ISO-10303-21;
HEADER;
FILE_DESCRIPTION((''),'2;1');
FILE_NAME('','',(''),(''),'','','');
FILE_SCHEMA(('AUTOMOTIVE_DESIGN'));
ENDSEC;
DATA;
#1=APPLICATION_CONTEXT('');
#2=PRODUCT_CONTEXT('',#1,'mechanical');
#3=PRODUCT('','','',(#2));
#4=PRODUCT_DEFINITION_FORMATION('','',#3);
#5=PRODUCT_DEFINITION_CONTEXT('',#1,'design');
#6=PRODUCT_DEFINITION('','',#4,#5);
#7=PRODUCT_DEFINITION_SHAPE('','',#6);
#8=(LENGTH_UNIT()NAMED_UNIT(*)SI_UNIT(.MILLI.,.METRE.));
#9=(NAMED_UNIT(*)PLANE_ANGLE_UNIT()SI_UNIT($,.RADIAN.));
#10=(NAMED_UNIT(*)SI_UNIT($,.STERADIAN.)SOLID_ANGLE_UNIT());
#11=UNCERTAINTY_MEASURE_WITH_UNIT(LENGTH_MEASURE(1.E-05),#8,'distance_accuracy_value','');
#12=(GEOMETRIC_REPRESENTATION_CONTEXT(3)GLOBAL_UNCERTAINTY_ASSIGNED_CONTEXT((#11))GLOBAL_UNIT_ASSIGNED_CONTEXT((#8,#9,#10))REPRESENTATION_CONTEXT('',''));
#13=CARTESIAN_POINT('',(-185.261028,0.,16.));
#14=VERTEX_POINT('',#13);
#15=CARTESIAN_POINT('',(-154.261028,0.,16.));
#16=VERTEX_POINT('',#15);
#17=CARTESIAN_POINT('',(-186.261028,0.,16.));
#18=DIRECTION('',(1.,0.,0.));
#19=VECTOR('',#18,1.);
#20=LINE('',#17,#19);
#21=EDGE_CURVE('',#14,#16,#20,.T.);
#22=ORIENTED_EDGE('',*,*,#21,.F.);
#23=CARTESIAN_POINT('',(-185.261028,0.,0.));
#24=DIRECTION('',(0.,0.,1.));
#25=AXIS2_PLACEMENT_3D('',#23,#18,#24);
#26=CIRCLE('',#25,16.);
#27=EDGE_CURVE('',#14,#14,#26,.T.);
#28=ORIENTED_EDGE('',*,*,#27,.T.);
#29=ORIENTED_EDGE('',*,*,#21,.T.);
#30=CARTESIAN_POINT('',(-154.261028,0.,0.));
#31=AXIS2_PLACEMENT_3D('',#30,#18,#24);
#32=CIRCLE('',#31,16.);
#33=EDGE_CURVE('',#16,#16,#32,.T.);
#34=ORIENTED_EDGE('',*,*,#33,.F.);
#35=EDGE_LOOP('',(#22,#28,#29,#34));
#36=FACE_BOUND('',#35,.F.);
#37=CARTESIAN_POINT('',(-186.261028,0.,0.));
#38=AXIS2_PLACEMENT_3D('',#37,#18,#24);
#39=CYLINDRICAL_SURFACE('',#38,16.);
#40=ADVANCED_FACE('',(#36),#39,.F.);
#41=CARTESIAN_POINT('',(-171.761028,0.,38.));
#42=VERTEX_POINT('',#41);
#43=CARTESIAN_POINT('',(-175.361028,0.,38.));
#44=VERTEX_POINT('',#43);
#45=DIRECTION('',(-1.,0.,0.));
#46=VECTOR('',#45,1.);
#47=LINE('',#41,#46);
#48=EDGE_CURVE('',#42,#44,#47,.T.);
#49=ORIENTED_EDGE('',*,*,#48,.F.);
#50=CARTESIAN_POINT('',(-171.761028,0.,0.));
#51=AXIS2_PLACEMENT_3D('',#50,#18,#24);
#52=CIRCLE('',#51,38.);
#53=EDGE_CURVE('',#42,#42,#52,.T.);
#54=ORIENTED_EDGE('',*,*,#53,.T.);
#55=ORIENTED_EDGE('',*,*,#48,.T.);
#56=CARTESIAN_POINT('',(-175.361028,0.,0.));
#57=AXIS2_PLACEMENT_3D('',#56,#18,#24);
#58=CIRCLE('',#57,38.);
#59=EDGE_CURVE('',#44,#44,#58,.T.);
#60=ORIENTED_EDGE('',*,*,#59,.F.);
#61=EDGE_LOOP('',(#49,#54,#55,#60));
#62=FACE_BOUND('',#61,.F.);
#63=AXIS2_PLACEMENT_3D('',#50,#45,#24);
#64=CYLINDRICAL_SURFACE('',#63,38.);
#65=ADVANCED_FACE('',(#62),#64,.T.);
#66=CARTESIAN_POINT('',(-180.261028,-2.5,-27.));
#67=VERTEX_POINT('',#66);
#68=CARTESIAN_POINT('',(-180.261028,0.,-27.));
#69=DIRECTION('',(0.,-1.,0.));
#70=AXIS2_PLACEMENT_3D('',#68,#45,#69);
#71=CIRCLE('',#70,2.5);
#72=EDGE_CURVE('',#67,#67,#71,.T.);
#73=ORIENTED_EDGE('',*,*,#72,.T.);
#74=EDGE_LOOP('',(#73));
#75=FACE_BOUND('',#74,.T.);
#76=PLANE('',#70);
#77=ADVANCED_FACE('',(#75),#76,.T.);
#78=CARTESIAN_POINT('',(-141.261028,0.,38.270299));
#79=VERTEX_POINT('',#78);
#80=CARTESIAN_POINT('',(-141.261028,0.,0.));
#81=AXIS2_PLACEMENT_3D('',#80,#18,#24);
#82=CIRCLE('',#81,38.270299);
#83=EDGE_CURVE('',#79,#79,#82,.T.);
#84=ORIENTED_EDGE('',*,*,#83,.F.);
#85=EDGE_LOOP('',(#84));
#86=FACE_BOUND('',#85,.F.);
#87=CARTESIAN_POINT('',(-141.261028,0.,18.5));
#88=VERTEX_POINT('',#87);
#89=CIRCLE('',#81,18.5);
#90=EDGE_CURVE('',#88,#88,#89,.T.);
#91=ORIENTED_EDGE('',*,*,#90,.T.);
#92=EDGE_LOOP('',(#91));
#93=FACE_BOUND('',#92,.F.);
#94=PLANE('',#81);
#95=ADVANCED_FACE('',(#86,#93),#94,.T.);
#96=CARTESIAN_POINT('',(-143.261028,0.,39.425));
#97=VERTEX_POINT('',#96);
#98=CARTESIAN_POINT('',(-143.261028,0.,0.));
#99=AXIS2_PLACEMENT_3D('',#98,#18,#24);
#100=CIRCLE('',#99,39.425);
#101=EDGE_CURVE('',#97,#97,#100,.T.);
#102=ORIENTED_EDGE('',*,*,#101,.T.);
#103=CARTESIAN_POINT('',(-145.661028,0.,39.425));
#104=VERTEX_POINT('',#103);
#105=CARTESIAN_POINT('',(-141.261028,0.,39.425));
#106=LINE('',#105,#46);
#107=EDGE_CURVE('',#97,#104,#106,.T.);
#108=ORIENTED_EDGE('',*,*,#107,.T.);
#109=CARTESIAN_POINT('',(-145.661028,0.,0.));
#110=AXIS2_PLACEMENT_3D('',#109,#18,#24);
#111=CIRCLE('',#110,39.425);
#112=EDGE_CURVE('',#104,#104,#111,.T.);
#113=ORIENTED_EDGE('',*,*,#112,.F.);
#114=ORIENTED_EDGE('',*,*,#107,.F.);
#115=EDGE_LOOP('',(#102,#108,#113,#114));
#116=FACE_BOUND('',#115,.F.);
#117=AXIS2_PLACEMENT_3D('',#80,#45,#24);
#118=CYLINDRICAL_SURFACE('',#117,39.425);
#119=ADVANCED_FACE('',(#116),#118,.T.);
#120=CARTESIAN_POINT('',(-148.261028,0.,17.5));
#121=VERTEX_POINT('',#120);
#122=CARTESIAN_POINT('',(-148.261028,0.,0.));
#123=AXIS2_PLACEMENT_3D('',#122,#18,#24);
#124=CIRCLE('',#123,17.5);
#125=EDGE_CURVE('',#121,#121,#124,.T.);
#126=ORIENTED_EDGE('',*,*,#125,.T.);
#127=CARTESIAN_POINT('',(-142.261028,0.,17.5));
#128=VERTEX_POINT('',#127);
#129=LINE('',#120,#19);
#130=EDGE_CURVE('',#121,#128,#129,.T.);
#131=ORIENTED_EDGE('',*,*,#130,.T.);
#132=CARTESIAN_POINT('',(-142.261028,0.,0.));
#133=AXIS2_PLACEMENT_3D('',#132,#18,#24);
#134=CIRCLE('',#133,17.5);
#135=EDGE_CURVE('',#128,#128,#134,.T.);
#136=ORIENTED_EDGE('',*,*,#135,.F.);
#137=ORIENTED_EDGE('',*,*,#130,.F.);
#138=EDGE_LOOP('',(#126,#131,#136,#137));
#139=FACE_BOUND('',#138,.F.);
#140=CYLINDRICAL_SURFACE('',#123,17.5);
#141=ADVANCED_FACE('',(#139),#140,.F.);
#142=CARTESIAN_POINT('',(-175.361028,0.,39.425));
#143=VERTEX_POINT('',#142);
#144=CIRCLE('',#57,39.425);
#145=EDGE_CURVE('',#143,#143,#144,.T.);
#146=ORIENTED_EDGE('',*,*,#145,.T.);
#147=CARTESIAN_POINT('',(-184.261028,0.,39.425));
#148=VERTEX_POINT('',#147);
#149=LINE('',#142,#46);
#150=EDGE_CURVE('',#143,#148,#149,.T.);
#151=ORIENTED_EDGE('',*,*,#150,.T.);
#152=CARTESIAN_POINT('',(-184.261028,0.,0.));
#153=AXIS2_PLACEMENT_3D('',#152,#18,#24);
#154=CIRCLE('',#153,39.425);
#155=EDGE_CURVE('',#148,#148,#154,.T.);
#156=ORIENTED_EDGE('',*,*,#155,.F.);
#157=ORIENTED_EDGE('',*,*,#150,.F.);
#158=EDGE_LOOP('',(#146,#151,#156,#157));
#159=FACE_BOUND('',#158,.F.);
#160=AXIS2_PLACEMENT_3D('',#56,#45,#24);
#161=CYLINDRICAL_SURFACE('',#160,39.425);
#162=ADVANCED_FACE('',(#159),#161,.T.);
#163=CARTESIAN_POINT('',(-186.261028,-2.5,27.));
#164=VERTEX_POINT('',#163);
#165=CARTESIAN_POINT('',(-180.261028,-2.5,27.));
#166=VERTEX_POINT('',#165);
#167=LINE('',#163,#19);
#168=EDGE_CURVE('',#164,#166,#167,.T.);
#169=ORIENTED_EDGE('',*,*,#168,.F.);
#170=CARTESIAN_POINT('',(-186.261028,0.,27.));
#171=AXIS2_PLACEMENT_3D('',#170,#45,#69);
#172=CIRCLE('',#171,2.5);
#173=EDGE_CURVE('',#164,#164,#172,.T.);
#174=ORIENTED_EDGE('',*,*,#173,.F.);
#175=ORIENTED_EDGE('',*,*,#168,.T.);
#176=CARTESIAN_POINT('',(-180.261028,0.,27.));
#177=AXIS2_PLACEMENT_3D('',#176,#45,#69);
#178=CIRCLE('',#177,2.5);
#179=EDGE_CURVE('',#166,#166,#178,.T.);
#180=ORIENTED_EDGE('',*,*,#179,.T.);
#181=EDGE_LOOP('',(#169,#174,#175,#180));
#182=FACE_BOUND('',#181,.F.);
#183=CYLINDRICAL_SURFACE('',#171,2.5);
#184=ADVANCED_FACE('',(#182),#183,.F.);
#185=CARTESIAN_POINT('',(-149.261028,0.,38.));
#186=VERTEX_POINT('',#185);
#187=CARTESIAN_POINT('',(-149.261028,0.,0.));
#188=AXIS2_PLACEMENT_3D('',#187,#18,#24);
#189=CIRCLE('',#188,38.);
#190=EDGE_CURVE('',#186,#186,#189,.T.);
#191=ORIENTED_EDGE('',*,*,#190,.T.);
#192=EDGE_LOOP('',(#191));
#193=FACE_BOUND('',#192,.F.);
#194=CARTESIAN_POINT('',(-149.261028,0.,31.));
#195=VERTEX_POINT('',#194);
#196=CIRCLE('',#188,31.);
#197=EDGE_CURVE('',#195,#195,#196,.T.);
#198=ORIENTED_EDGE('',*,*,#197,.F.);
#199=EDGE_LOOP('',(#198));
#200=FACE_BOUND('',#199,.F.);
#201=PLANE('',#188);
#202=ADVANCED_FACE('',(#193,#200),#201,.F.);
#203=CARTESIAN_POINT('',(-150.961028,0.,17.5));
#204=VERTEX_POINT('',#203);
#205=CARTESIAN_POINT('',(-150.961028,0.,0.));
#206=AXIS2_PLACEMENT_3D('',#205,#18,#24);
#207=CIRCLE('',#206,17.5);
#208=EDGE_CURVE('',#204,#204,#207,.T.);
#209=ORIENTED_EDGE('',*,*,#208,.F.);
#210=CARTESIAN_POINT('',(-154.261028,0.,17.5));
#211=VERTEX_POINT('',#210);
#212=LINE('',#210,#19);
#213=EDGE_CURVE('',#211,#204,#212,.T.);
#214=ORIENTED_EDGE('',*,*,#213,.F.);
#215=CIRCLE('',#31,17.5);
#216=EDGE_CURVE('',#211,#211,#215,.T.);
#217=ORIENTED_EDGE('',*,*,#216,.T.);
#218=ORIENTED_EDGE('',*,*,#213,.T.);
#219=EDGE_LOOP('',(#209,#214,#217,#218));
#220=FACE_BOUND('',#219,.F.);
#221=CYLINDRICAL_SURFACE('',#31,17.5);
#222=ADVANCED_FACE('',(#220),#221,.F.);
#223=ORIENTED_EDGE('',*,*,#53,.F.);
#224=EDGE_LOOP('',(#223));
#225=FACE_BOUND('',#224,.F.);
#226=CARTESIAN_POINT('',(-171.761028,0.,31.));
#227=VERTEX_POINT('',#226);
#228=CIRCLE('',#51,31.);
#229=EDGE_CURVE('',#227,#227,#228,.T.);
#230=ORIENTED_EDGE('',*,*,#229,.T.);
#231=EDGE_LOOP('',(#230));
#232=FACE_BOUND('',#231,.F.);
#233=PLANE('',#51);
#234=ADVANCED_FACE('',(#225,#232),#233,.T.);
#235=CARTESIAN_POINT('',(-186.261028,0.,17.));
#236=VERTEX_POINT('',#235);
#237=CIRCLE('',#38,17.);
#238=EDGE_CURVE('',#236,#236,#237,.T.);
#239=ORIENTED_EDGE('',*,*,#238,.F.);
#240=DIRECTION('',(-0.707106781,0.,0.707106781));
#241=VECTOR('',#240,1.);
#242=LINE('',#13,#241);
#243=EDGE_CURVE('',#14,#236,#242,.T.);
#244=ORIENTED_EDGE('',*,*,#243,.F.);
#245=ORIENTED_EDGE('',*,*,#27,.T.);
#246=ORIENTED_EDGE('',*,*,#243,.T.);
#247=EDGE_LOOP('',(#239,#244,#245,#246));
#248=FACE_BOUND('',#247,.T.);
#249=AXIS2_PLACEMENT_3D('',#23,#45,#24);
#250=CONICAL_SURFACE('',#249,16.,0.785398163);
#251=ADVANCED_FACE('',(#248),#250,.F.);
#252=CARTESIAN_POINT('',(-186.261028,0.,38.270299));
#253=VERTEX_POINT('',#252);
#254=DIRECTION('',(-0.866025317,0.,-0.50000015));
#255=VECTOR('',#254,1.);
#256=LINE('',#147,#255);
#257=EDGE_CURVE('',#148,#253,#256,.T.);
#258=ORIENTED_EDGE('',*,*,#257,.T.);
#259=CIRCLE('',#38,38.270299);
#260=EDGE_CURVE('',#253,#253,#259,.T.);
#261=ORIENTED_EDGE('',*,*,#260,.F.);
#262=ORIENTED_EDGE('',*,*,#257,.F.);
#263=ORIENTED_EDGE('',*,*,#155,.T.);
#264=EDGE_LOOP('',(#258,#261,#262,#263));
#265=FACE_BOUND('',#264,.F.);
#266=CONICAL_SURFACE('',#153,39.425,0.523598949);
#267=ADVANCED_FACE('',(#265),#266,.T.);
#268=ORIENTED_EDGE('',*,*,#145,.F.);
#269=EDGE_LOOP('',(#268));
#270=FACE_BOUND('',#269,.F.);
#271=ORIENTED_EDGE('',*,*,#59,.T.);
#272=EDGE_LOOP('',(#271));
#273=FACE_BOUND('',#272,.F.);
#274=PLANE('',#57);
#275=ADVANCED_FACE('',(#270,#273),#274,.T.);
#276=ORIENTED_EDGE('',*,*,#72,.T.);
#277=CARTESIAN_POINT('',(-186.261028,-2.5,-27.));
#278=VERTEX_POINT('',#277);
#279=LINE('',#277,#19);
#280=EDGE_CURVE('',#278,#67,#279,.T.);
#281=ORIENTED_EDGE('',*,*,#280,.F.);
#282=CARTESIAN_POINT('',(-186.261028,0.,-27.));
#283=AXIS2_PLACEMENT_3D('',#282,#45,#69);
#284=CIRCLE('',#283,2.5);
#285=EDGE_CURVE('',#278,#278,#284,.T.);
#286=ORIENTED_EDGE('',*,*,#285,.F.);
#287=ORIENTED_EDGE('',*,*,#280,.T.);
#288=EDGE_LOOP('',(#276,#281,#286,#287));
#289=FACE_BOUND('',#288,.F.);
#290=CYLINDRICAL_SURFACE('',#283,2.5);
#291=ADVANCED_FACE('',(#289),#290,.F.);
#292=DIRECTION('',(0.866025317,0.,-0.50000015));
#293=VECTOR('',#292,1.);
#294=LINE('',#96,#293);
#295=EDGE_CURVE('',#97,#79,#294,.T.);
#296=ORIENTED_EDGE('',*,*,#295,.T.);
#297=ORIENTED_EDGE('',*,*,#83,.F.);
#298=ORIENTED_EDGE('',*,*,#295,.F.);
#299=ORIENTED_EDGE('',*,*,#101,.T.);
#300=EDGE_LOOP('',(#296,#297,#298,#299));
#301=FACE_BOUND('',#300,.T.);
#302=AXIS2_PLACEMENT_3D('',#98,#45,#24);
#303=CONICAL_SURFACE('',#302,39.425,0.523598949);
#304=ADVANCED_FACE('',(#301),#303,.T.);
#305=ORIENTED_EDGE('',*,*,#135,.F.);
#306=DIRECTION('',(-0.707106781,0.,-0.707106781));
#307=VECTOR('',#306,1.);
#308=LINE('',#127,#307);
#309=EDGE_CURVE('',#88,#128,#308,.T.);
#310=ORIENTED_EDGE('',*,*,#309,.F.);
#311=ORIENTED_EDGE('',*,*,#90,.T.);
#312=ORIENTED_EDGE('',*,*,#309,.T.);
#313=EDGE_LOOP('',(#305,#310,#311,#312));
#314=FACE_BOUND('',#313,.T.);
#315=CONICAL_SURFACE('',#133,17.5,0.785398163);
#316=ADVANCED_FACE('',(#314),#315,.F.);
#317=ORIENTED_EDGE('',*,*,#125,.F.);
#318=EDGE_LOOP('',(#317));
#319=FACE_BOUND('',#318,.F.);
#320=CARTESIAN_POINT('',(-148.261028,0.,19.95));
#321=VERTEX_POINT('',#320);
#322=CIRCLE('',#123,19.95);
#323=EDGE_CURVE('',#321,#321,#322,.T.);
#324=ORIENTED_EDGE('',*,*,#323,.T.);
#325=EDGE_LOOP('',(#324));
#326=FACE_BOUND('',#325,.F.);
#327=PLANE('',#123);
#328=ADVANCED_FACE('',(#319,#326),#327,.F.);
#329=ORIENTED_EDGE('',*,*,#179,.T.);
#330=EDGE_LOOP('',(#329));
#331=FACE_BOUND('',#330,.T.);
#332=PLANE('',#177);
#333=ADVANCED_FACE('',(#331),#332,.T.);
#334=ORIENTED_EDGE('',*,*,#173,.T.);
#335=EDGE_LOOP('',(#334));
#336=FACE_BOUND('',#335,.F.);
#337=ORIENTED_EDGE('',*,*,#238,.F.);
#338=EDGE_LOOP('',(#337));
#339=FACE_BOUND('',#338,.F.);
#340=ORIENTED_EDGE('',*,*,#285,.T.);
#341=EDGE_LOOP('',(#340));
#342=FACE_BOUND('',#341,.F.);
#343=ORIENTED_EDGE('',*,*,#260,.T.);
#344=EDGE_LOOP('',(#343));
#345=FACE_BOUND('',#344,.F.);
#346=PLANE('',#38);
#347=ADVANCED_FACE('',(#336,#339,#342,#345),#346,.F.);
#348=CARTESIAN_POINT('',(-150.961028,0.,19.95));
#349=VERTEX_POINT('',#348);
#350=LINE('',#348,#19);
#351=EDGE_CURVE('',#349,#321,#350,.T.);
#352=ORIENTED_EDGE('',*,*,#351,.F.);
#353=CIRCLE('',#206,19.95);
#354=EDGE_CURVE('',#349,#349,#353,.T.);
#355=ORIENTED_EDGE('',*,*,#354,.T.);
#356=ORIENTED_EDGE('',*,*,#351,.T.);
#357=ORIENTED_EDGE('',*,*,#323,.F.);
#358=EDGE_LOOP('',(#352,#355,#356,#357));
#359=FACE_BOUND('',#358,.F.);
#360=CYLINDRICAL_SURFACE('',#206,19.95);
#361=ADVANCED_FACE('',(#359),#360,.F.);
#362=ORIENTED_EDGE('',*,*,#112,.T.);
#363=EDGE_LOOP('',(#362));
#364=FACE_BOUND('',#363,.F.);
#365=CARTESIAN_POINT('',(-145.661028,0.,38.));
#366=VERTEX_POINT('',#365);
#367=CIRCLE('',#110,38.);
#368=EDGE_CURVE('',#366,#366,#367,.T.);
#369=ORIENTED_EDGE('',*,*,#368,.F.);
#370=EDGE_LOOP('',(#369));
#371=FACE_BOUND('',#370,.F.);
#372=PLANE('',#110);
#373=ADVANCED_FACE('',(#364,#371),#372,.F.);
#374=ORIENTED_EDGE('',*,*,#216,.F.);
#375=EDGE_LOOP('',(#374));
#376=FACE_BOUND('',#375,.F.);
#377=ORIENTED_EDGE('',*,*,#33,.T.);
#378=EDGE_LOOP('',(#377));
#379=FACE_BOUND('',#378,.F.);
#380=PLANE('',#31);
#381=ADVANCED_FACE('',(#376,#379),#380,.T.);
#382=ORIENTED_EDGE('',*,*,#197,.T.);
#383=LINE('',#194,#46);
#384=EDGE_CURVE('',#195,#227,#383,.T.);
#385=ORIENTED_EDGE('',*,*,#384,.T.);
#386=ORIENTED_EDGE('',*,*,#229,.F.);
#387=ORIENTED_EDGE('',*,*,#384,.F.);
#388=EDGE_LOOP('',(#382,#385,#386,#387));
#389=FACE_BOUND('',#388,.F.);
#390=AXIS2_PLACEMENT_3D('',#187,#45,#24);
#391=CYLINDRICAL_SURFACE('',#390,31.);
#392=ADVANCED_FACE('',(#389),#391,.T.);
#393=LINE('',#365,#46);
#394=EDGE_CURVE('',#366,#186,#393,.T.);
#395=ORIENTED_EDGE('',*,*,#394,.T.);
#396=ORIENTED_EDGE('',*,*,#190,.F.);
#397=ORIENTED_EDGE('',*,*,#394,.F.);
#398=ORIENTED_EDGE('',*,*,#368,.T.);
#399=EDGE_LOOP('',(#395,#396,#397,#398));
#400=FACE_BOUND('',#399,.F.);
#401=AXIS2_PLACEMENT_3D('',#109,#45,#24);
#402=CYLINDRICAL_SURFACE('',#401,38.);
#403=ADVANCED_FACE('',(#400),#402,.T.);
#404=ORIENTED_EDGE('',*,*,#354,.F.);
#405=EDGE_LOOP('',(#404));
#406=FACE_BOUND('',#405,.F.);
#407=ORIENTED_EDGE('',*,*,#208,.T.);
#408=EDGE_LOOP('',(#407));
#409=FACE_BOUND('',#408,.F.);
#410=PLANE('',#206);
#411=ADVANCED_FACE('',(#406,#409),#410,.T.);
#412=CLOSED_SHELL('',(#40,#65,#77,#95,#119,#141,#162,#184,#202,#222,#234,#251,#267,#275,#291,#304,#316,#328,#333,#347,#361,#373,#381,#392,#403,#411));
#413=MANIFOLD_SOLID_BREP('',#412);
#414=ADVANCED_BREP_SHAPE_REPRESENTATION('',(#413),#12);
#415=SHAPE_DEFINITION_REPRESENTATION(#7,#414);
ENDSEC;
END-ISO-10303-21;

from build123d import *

# Parameters (mm, degrees)
F2_SIZE2 = 1.154701
F2_SIZE  = 2
F3_R     = 2.5
F4_DEPTH = 6
F5_SIZE2 = 1.154701
F5_SIZE  = 2
F6_SIZE  = 1


with BuildPart() as f1:
    # F0 (on Front) → F1 (revolve)
    with BuildSketch(Plane.XZ):
        Polygon((-148.261028, 17.5), (-141.261028, 17.5), (-141.261028, 39.425), (-145.661028, 39.425), (-145.661028, 38), (-149.261028, 38), (-149.261028, 31), (-171.761028, 31), (-171.761028, 38), (-175.361028, 38), (-175.361028, 39.425), (-186.261028, 39.425), (-186.261028, 16), (-154.261028, 16), (-154.261028, 17.5), (-150.961028, 17.5), (-150.961028, 19.95), (-148.261028, 19.95), align=None)
    revolve(axis=Axis((28.175471, 0, 0), (1, 0, 0)))

    # F2
    f2_edges = [f1.edges().sort_by_distance(p)[0] for p in [
        (-186.261028, 0, -39.425),
    ]]
    chamfer(f2_edges, length=F2_SIZE, length2=F2_SIZE2)

    # F3 (on face) → F4 (cut)
    with BuildSketch(Plane(origin=(-186.261028, 0, 0), x_dir=(0, -1, 0), z_dir=(-1, 0, 0))):
        with Locations((0, 27)):
            Circle(F3_R)
        with Locations((0, -27)):
            Circle(F3_R)
    extrude(amount=-F4_DEPTH, mode=Mode.SUBTRACT)

    # F5
    f5_edges = [f1.edges().sort_by_distance(p)[0] for p in [
        (-141.261028, 0, -39.425),
    ]]
    chamfer(f5_edges, length=F5_SIZE, length2=F5_SIZE2)

    # F6
    f6_edges = [f1.edges().sort_by_distance(p)[0] for p in [
        (-186.261028, 0, -16),
        (-141.261028, 0, -17.5),
    ]]
    chamfer(f6_edges, length=F6_SIZE)


solid = f1.part
